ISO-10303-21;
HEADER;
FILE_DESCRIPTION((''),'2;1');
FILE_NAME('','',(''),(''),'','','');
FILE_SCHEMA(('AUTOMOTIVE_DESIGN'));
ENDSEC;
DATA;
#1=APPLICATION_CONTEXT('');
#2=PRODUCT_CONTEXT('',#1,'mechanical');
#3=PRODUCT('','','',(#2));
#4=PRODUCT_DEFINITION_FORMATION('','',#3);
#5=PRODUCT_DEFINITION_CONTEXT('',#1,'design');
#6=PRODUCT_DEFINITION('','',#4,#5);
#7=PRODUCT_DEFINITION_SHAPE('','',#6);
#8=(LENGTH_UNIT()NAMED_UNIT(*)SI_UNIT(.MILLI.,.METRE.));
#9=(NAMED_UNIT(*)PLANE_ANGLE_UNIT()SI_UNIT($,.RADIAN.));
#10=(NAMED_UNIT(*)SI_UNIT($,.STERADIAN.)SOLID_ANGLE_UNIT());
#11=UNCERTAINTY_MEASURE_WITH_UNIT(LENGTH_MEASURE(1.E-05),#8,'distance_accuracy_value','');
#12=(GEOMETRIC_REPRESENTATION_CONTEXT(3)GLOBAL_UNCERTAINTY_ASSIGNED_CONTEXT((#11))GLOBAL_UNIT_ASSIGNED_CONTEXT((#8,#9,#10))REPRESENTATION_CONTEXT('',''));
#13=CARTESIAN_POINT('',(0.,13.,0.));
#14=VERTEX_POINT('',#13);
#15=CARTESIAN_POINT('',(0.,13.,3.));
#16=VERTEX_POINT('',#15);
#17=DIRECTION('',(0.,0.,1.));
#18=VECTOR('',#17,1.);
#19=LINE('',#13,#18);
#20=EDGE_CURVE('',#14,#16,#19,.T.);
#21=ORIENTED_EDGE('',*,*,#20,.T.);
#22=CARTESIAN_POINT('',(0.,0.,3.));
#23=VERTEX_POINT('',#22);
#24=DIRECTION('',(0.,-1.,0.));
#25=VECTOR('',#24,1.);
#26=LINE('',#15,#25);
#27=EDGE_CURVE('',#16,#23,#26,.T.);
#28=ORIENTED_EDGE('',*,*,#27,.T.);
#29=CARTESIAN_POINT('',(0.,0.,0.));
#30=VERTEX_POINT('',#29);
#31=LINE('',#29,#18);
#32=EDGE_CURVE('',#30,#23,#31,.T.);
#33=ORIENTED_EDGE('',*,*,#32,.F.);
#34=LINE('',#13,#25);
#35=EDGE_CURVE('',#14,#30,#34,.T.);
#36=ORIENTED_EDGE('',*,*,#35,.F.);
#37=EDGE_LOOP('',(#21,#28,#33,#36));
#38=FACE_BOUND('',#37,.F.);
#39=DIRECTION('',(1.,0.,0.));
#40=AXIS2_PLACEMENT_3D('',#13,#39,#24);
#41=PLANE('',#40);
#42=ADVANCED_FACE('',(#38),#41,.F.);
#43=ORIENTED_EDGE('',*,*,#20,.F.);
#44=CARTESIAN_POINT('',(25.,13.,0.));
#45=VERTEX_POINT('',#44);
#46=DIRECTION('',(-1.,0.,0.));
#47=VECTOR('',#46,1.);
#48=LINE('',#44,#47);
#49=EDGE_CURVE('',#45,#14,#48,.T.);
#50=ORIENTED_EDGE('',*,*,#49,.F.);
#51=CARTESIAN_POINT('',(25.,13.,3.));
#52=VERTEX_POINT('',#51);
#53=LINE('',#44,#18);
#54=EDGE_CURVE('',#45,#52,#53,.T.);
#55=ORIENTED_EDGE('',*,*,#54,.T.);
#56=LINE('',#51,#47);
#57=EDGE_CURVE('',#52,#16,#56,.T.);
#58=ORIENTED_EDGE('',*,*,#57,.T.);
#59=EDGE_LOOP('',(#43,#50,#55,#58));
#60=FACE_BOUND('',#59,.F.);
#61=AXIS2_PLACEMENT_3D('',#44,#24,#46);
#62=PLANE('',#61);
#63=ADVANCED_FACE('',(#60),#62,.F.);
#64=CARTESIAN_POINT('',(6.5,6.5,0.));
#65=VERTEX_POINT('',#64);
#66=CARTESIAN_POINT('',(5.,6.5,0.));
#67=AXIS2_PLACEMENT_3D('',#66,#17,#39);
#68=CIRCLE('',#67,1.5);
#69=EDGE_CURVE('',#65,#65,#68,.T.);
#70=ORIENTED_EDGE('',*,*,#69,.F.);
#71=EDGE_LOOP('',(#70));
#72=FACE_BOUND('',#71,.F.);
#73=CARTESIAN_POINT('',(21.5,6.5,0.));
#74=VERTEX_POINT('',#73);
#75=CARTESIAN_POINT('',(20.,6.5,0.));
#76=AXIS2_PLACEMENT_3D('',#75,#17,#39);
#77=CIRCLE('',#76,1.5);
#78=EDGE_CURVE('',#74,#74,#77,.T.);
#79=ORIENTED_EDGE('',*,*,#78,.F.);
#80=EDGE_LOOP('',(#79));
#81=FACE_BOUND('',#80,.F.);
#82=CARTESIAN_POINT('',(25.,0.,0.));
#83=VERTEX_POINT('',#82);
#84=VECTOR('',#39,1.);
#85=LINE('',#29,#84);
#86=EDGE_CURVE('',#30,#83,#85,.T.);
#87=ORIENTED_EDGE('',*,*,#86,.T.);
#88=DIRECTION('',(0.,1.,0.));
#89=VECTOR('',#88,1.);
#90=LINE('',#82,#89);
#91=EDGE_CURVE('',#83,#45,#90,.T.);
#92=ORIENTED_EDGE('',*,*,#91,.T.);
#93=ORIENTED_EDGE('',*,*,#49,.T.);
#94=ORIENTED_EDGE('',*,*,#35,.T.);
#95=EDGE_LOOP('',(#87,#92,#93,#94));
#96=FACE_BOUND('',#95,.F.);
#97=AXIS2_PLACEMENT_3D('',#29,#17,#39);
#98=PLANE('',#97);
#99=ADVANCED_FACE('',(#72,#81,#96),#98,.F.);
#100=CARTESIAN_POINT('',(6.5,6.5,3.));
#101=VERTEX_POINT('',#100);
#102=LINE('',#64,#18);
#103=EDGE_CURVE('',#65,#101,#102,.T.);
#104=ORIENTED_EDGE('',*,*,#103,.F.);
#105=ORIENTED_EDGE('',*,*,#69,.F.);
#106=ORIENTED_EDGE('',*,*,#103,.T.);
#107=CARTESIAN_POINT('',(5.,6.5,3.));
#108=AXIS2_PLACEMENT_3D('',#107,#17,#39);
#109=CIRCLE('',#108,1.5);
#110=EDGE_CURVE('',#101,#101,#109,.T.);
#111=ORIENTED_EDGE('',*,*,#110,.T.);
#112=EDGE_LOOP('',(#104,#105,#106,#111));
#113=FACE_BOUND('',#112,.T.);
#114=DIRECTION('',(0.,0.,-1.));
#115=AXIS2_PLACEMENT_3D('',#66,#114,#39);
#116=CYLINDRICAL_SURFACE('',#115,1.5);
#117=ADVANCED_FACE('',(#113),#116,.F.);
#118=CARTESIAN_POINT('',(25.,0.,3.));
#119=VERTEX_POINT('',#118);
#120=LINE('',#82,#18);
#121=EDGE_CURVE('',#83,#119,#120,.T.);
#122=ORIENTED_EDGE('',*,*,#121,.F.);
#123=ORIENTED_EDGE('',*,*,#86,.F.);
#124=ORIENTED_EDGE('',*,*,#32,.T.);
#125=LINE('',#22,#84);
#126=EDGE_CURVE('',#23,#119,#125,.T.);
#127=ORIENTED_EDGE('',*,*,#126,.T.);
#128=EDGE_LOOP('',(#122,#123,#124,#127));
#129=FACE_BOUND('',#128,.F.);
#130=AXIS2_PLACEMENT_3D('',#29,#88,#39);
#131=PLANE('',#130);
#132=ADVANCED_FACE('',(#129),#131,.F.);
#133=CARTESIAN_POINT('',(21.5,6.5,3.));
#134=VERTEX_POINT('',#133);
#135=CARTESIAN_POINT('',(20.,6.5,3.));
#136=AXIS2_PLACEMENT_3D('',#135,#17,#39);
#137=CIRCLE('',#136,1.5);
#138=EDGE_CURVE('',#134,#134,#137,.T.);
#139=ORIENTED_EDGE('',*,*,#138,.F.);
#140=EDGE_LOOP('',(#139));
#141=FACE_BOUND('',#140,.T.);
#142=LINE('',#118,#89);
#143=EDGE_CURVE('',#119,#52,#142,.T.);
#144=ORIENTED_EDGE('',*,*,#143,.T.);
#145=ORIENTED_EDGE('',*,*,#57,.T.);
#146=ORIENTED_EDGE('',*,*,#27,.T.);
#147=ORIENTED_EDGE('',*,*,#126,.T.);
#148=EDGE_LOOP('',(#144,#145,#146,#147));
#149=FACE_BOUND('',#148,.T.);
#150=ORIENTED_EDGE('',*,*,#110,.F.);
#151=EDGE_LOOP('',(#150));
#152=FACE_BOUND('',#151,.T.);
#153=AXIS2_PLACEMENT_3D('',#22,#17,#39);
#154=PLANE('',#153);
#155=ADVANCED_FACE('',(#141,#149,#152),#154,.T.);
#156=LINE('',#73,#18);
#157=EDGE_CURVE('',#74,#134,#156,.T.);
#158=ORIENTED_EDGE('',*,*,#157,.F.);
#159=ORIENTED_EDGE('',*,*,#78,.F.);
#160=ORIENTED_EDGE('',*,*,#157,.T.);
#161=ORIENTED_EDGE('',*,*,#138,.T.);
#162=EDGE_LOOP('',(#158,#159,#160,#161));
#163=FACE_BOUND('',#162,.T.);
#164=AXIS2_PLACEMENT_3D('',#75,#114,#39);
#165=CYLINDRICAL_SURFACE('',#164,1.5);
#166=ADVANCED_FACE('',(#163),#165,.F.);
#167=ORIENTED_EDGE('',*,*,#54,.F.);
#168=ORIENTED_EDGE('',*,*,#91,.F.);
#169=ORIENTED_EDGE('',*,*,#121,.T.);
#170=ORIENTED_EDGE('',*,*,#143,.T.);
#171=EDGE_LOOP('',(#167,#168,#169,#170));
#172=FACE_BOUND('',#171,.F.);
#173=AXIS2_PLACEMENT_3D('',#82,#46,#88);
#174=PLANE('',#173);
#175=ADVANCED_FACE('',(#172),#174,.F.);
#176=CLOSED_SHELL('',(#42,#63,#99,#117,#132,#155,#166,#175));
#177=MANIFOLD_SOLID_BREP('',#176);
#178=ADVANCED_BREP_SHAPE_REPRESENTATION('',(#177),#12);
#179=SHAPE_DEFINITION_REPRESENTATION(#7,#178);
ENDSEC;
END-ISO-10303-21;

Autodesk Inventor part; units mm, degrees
ref_plane "YZ Plane" through (0, 0, 0) normal (1, 0, 0) x (0, 1, 0)
ref_plane "XZ Plane" through (0, 0, 0) normal (0, 1, 0) x (-1, 0, 0)
ref_plane "XY Plane" through (0, 0, 0) normal (0, 0, 1) x (1, 0, 0)
sketch "Sketch1" plane through (0, 0, 0) normal (0, 0, 1) x (1, 0, 0)
  line L0 (0, 0) -> (25, 0)
  line L1 (25, 0) -> (25, 13)
  line L2 (25, 13) -> (0, 13)
  line L3 (0, 13) -> (0, 0)
  circle A0 centre (5, 6.5) radius 1.5
  circle A1 centre (20, 6.5) radius 1.5
  point P0 (25, 6.5)
  dimension "d0" = 25
  dimension "d1" = 3
  dimension "d2" = 3
  dimension "d3" = 15
  dimension "d4" = 5
  dimension "d5" = 13
extrude "Extrusion1" add sketch "Sketch1" along normal blind 3
properties part number "alza" material "Rubber, Silicone"
